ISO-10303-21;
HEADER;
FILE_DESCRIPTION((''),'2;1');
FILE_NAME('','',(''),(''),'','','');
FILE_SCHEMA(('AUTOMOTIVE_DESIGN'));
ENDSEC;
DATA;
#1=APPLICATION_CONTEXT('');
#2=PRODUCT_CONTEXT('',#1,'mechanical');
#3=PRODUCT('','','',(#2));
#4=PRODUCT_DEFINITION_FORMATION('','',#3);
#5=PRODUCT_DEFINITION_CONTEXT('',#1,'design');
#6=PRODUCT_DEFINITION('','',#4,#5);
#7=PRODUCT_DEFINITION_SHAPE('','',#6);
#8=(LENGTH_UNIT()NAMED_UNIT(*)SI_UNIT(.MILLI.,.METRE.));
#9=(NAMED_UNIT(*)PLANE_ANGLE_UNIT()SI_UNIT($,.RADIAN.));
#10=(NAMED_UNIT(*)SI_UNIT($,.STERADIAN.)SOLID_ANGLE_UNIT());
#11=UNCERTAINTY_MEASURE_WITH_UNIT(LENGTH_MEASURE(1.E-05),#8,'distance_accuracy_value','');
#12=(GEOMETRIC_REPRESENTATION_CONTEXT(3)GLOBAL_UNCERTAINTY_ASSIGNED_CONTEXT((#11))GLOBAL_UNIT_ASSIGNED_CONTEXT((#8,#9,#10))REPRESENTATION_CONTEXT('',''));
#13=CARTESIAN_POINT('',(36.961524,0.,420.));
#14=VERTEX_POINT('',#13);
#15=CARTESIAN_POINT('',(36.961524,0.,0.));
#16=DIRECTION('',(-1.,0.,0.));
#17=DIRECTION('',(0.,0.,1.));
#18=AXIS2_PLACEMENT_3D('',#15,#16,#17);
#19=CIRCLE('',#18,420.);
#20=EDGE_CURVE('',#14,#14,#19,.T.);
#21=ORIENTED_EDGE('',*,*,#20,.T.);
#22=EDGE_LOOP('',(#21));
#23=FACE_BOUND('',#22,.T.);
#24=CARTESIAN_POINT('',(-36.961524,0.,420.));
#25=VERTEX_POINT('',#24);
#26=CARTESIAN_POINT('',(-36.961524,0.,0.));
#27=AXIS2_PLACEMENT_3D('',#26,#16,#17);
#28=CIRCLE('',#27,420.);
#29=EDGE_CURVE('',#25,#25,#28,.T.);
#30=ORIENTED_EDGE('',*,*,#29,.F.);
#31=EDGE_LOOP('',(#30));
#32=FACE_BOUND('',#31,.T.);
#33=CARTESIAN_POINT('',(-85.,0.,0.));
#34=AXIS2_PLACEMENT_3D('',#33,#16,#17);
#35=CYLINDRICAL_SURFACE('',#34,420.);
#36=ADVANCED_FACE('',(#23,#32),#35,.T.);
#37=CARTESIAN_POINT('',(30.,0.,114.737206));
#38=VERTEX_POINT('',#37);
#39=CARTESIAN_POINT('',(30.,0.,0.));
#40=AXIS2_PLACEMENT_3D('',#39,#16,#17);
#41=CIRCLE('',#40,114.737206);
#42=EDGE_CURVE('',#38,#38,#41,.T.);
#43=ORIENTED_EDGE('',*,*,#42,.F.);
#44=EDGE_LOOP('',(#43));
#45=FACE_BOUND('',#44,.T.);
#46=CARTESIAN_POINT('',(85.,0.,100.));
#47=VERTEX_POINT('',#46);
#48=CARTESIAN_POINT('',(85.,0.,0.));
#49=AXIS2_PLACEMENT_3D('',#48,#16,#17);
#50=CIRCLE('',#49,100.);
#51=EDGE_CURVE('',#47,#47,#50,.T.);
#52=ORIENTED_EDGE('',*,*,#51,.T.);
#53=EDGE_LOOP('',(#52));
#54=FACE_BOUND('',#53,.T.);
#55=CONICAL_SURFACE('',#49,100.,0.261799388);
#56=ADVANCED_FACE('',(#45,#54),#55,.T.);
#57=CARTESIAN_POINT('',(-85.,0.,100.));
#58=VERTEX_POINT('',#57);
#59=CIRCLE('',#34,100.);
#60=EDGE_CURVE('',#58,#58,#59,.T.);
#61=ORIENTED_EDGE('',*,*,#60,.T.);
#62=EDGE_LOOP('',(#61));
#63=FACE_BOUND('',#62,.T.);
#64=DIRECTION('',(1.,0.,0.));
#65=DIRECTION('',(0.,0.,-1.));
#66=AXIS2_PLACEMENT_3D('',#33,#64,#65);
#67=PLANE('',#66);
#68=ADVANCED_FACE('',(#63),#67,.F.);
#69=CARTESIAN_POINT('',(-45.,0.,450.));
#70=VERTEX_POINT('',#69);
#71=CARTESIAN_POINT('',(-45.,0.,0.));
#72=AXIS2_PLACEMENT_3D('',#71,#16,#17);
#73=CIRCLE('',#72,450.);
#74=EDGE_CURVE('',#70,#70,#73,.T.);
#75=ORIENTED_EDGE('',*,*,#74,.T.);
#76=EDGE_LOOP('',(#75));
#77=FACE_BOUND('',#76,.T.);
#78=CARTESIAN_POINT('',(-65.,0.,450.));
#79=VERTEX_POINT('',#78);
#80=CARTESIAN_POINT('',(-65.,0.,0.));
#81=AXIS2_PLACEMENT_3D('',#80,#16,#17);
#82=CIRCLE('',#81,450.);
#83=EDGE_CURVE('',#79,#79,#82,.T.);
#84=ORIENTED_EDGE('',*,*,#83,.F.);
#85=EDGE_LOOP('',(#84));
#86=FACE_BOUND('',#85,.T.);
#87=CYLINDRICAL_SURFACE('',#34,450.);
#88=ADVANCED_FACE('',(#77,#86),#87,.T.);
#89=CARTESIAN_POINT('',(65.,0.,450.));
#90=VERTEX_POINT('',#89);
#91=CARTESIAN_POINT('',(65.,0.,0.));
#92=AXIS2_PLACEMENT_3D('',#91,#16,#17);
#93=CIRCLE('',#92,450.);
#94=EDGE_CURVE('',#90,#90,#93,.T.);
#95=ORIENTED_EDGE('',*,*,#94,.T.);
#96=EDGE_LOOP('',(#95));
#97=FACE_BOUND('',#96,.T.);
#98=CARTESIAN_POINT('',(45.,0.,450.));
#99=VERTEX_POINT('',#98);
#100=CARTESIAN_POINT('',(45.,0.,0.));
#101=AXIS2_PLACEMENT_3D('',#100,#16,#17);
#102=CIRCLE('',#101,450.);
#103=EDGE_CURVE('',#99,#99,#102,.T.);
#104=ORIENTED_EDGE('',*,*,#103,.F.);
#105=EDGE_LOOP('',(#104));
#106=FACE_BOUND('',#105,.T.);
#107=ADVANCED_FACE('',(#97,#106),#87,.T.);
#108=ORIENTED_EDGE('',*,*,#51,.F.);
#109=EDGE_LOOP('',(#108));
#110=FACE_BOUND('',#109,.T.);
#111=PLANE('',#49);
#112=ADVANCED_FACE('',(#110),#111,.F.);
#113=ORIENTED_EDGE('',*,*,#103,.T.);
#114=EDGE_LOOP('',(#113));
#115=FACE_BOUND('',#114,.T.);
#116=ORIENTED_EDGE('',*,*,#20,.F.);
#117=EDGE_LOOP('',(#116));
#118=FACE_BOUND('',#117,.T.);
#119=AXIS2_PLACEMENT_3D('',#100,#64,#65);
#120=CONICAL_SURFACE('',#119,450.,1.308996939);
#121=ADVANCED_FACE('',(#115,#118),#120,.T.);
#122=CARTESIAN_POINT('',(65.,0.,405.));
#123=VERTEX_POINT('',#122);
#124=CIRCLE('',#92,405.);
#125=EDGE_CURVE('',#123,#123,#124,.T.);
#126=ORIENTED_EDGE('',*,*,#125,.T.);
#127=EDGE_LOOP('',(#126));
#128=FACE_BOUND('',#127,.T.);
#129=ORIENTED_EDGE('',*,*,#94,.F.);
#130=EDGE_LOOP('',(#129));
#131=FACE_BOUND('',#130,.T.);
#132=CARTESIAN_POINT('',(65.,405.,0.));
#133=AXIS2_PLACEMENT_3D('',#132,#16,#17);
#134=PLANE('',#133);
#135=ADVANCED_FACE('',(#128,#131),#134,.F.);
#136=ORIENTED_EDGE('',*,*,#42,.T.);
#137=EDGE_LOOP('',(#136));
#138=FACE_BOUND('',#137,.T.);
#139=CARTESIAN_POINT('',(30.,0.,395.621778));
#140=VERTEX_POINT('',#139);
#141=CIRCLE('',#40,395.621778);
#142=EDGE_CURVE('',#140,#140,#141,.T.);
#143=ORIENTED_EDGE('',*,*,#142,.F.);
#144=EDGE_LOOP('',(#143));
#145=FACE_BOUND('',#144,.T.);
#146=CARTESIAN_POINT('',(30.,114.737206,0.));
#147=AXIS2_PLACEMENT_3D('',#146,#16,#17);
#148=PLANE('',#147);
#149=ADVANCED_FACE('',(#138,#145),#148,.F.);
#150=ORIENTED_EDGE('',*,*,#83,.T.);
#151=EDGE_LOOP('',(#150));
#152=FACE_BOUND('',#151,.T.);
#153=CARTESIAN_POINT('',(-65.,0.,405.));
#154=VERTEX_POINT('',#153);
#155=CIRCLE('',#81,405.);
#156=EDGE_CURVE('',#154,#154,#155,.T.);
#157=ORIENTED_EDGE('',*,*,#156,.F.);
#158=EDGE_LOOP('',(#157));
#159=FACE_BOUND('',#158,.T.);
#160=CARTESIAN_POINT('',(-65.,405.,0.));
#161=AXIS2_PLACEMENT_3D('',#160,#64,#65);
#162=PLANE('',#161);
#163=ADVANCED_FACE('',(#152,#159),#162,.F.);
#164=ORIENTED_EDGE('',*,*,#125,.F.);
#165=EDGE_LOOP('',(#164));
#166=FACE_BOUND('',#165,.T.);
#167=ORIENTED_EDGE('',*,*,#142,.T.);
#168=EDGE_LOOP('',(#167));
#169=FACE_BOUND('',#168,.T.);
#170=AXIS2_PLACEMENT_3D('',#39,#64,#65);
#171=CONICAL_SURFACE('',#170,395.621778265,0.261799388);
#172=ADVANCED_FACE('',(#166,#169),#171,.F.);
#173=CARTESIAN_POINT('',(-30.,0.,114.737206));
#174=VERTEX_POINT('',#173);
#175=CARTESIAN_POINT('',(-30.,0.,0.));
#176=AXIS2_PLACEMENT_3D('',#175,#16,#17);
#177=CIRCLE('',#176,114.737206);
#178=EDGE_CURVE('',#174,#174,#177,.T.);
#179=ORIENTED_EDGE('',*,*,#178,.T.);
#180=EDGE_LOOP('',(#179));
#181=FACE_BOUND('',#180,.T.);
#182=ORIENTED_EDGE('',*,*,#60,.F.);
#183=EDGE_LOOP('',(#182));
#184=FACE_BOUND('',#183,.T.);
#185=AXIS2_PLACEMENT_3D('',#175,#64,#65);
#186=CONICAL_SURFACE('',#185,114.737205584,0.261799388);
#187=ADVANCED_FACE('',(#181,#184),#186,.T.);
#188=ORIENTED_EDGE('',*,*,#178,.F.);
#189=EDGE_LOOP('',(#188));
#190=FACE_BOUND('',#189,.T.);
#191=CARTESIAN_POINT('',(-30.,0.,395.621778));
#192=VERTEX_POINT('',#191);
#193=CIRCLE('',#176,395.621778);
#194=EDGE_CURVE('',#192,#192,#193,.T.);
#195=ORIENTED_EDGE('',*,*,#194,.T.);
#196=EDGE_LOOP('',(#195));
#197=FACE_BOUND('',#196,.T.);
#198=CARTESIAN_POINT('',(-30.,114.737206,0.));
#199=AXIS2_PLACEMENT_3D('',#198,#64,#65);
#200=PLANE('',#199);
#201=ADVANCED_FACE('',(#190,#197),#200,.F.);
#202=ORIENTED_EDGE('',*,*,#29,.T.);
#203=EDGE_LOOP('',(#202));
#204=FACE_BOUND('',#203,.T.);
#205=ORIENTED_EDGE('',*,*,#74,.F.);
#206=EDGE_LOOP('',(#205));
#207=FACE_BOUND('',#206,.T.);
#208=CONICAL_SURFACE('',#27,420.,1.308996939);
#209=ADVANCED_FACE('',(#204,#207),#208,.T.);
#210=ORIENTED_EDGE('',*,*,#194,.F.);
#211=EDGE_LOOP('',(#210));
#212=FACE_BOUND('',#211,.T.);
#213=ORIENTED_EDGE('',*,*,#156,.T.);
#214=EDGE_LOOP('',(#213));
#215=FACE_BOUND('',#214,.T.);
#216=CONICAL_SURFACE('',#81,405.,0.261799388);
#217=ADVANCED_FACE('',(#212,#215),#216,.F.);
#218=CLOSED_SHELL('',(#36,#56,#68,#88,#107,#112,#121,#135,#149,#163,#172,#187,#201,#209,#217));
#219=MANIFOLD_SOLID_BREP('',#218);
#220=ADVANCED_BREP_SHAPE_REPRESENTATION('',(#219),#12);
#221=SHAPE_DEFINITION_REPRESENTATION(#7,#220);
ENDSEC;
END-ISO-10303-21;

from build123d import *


with BuildPart() as part:
    # Esquisse2 → Révolution1 (revolve)
    with BuildSketch(Plane.XY, mode=Mode.PRIVATE) as r_volution1_sk:
        Polygon((-85, 0), (-85, 100), (-30, 114.737205584), (-30, 395.621778265), (-65, 405), (-65, 450), (-45, 450), (-36.961524227, 420), (36.961524227, 420), (45, 450), (65, 450), (65, 405), (30, 395.621778265), (30, 114.737205584), (85, 100), (85, 0), align=None)
    revolve(r_volution1_sk.sketch.rotate(Axis((-85, 0, 0), (1, 0, 0)), 90), axis=Axis((-85, 0, 0), (1, 0, 0)))


solid = part.part
